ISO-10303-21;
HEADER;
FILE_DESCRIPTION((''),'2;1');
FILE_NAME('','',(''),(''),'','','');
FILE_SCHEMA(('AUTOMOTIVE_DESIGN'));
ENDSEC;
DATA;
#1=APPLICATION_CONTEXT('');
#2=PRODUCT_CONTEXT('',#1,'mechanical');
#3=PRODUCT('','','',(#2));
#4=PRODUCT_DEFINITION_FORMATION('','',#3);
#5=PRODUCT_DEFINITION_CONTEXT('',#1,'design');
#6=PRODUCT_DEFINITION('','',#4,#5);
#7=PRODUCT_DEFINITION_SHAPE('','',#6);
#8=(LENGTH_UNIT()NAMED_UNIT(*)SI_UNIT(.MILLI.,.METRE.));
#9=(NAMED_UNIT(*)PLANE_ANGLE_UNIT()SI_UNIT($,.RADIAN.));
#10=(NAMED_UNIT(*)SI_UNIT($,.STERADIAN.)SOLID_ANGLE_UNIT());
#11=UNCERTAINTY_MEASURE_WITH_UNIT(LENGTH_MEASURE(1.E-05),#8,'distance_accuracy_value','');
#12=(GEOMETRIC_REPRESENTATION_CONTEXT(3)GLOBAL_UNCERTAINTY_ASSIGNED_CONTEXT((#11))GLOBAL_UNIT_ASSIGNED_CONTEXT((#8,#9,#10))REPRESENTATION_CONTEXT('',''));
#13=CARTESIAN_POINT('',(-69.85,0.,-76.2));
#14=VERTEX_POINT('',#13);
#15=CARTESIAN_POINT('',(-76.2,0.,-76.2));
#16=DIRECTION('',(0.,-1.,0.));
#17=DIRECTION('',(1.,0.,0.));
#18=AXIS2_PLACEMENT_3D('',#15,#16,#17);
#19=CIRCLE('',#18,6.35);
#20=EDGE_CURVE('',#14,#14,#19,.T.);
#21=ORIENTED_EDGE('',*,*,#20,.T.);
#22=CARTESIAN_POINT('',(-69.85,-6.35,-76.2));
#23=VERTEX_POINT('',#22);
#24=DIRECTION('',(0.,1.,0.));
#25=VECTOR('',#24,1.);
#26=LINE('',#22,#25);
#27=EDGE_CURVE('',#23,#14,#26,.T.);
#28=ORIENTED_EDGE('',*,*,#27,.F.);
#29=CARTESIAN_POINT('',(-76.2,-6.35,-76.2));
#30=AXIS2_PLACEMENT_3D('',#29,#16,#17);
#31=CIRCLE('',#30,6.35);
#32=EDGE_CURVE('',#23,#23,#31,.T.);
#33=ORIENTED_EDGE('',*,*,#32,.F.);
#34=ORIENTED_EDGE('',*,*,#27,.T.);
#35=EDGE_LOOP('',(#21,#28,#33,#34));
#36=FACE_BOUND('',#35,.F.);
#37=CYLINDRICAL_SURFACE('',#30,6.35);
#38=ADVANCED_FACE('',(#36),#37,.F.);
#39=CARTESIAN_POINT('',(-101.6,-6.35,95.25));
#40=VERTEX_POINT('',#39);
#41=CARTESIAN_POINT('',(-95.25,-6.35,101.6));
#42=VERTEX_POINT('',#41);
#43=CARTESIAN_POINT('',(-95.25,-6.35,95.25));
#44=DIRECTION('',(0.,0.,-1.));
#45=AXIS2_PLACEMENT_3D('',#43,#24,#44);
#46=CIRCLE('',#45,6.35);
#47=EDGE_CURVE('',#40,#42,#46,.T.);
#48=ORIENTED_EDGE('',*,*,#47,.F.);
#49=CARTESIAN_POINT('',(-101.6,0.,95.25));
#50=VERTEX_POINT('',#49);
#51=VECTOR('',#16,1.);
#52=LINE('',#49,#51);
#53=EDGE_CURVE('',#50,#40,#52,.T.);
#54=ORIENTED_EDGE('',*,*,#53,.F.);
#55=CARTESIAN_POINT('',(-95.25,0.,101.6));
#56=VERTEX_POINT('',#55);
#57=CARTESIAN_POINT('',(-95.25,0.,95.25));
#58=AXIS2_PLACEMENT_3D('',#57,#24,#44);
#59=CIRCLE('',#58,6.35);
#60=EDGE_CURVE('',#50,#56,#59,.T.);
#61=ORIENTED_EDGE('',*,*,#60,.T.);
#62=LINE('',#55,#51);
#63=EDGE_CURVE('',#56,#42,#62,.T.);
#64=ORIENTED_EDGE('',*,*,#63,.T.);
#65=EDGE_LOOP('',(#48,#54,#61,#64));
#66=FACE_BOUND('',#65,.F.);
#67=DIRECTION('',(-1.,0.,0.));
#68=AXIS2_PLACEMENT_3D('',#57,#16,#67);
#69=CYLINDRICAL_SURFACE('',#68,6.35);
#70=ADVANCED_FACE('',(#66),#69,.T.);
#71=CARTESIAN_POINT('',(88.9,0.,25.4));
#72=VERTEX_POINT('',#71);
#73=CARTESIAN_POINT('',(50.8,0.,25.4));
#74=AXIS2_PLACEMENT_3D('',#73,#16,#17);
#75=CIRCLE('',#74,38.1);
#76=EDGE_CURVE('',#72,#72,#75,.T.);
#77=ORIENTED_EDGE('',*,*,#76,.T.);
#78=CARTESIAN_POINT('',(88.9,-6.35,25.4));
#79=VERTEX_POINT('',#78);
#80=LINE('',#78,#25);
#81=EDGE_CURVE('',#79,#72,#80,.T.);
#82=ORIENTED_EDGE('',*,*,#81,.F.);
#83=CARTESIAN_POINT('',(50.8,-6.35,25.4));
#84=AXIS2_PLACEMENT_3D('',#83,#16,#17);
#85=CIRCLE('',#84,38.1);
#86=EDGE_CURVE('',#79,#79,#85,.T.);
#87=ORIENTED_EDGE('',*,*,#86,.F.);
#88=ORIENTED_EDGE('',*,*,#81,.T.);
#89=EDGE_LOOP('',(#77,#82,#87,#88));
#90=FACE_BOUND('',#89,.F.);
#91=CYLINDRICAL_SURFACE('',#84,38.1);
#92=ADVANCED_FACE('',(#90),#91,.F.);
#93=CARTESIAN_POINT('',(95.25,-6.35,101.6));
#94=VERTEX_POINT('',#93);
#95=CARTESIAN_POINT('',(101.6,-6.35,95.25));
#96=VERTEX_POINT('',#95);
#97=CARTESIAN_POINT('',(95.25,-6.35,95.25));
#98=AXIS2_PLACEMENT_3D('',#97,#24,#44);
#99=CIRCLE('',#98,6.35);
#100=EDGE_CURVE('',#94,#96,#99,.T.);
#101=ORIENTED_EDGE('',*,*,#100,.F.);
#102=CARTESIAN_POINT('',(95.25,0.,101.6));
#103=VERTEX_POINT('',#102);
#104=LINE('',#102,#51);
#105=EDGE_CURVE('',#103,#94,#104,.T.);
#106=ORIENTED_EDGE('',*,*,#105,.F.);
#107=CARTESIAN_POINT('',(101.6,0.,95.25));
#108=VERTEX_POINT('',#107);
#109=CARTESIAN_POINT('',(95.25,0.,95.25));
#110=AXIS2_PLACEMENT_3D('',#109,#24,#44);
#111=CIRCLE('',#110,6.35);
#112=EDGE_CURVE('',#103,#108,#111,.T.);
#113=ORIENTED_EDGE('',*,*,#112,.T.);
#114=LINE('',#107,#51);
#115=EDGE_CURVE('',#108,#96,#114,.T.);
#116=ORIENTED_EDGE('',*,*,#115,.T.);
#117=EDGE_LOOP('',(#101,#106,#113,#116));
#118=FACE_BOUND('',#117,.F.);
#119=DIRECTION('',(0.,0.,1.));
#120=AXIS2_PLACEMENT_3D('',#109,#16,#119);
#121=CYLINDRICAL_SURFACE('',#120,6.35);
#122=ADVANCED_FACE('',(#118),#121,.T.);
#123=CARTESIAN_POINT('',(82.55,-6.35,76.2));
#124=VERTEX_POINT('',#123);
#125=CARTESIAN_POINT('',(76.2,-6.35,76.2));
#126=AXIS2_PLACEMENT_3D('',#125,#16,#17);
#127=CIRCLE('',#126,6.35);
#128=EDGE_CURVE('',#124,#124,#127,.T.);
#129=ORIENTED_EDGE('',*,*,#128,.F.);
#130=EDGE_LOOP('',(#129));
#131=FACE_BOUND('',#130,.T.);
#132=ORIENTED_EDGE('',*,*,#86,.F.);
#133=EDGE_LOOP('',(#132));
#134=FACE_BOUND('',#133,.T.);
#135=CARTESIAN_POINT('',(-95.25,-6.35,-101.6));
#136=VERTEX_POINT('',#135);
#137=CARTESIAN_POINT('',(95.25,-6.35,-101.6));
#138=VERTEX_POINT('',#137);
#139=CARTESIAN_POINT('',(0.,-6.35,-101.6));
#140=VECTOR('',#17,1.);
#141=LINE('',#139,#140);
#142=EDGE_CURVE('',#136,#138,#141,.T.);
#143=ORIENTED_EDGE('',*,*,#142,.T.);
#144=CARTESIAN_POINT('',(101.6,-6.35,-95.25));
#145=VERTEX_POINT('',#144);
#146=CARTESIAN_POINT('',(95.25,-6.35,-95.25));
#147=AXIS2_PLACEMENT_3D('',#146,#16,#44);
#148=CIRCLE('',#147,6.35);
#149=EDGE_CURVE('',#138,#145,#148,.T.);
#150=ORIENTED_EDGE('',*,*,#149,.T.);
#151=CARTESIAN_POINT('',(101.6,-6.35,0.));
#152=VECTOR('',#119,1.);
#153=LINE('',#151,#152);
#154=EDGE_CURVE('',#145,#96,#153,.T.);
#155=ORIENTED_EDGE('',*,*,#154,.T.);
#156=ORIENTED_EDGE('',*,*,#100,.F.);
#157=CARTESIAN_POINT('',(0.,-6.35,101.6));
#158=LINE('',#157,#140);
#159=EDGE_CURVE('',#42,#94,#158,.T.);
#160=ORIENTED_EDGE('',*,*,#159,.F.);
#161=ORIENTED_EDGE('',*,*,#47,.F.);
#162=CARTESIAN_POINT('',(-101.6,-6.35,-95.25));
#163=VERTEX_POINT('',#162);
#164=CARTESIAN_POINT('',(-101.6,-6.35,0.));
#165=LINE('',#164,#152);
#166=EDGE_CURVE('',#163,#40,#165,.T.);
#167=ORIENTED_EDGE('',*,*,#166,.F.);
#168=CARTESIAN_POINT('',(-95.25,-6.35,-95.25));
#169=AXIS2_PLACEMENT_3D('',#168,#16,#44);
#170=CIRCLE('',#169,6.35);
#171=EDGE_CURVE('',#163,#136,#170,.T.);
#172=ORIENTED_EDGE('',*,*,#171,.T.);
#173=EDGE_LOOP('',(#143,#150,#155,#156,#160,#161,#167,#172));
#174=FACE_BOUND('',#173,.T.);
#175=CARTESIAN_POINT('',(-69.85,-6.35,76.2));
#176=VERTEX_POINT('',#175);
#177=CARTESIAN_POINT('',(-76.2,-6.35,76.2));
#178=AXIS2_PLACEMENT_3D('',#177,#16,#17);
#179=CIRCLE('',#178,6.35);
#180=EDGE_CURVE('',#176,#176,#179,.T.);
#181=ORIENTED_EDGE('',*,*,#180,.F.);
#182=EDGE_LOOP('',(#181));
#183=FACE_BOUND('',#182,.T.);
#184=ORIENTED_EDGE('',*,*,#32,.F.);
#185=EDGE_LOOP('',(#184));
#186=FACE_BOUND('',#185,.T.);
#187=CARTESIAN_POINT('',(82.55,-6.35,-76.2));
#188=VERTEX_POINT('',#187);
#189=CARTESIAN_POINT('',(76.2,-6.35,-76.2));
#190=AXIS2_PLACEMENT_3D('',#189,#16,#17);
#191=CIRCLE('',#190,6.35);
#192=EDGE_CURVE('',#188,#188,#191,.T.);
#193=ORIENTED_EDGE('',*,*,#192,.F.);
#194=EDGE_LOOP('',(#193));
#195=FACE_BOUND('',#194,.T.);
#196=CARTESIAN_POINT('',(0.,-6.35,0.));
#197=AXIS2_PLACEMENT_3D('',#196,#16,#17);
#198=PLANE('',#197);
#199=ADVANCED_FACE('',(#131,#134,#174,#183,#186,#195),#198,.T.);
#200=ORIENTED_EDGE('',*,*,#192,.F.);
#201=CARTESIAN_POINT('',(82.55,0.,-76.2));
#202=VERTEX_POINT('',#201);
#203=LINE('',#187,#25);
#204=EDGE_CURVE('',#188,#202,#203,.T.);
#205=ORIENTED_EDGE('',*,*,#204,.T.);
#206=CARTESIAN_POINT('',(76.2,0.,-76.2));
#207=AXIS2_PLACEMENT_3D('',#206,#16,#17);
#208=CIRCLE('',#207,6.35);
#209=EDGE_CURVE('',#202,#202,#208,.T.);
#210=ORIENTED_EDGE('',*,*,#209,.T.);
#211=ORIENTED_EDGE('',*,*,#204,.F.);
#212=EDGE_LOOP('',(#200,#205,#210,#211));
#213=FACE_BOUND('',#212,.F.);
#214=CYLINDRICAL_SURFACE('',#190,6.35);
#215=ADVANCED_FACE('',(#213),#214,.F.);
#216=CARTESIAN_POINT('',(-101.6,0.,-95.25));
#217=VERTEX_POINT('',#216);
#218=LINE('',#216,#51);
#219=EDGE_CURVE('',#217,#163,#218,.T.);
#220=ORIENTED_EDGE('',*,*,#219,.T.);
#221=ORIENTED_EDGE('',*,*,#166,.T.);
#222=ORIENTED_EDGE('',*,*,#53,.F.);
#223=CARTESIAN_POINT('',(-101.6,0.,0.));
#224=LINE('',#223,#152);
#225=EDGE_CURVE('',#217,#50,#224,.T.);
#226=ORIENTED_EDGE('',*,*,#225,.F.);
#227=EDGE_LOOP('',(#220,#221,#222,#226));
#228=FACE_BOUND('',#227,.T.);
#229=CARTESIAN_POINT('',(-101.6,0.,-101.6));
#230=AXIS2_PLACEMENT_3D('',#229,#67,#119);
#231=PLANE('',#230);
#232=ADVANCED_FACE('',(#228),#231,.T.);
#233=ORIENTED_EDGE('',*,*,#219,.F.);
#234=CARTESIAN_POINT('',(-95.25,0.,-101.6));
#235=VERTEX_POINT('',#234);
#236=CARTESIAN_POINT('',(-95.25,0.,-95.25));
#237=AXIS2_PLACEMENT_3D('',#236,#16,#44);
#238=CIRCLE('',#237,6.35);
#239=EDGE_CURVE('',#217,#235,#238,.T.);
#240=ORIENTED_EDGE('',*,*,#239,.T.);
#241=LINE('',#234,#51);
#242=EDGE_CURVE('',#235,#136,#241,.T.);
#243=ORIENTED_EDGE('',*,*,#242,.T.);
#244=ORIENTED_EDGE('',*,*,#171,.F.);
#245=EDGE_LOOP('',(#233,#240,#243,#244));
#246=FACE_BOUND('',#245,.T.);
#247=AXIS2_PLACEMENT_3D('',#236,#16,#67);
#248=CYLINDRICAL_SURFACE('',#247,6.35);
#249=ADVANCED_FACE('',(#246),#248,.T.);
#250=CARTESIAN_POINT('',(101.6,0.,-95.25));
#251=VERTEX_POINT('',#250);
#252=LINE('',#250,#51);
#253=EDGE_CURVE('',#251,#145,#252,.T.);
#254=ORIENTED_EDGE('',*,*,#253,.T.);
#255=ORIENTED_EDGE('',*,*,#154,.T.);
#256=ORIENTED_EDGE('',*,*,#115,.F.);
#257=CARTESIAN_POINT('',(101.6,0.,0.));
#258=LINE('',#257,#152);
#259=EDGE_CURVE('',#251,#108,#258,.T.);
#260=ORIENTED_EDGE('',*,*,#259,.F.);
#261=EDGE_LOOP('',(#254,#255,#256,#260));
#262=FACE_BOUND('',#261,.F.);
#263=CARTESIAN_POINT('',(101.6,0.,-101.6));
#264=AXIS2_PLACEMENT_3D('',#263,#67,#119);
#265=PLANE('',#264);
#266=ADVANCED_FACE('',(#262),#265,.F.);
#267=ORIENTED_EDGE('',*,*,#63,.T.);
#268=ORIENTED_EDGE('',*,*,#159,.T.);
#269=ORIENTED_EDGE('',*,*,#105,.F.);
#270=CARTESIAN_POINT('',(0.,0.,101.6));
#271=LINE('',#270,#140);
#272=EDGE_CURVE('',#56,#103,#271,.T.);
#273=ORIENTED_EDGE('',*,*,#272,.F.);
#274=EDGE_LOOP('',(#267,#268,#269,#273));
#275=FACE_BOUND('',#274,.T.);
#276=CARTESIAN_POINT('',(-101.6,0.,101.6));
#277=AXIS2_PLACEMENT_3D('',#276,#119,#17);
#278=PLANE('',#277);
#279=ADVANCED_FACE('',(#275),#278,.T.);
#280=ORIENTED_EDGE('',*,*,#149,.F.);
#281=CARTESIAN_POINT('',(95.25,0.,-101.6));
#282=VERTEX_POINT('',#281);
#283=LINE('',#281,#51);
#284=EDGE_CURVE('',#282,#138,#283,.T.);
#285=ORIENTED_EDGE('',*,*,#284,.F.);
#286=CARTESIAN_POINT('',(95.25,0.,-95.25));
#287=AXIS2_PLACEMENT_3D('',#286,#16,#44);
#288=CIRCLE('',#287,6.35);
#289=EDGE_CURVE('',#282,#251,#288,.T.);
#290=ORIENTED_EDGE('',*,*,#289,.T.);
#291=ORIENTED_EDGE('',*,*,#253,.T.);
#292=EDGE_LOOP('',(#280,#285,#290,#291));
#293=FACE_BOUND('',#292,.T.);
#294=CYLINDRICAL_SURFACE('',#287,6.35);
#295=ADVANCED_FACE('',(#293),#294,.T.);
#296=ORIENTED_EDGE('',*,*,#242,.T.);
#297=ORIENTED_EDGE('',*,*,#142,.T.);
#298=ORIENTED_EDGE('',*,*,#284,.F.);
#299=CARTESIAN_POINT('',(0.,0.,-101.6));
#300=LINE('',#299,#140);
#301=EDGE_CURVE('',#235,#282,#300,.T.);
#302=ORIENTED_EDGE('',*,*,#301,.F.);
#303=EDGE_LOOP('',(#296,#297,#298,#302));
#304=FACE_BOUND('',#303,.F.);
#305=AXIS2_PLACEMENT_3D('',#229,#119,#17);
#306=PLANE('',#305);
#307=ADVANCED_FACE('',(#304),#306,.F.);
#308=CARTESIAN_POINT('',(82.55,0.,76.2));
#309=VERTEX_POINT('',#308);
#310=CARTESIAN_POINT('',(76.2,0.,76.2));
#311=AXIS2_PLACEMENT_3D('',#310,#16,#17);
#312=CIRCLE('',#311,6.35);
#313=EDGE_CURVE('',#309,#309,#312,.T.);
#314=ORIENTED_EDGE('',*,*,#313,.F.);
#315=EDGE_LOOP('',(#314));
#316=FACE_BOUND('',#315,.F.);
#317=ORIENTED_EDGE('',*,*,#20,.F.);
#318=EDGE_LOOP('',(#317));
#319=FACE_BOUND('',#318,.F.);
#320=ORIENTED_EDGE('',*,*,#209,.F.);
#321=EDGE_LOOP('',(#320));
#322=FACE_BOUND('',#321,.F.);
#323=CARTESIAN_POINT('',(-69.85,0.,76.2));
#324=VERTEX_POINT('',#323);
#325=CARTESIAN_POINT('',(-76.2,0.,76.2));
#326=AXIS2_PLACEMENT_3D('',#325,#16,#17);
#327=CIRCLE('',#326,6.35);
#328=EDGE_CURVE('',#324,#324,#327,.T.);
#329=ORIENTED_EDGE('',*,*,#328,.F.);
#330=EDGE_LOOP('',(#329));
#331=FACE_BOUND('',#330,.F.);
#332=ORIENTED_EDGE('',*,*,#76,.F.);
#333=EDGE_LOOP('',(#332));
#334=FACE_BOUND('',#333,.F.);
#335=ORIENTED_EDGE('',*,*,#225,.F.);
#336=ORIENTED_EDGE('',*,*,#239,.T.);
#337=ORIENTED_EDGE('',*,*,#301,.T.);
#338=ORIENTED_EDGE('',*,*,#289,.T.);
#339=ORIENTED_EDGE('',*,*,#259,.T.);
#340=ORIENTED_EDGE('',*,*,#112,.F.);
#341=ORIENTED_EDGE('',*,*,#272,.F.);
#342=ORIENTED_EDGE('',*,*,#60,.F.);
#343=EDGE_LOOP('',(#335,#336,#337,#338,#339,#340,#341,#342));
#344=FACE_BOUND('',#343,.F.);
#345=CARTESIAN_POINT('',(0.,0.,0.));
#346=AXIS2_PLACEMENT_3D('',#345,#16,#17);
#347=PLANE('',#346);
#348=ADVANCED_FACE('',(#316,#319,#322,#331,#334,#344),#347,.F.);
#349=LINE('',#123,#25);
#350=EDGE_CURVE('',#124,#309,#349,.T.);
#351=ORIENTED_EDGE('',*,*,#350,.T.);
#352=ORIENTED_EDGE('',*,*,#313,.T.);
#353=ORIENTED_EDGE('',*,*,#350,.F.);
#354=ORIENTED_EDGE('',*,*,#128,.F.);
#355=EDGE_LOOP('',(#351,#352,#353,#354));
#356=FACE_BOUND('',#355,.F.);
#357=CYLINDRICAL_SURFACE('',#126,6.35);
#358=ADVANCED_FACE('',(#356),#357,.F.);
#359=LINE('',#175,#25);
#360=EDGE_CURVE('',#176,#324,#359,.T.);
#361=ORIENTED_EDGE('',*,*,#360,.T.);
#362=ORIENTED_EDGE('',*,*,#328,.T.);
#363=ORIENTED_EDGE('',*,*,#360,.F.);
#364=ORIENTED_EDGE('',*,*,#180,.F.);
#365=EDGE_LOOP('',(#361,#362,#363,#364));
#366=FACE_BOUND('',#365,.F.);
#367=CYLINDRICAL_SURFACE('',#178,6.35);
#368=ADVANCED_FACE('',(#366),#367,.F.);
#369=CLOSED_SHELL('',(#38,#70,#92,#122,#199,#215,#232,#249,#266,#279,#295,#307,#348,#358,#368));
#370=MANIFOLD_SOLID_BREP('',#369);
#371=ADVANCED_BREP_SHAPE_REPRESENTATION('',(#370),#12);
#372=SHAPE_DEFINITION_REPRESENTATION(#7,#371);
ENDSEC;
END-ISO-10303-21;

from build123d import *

# Parameters (mm, degrees)
F0_W     = 203.2
F0_H     = 203.2
F1_DEPTH = 6.35
F2_R     = 6.35
F3_DEPTH = 25.4
F4_R     = 6.35
F5_R     = 38.1
F6_DEPTH = 25.4


with BuildPart() as f1:
    # F0 (on Front) → F1 (new body)
    with BuildSketch(Plane.XZ):
        Rectangle(F0_W, F0_H)
    extrude(amount=F1_DEPTH)

    # F2 (on face) → F3 (cut)
    with BuildSketch(Plane.XZ.offset(6.35)):
        with Locations((-76.2, 76.2)):
            Circle(F2_R)
        with Locations((76.2, 76.2)):
            Circle(F2_R)
        with Locations((-76.2, -76.2)):
            Circle(F2_R)
        with Locations((76.2, -76.2)):
            Circle(F2_R)
    extrude(amount=-F3_DEPTH, mode=Mode.SUBTRACT)

    # F4
    f4_edges = [f1.edges().sort_by_distance(p)[0] for p in [
        (101.6, -3.175, 101.6),
        (-101.6, -3.175, 101.6),
        (-101.6, -3.175, -101.6),
        (101.6, -3.175, -101.6),
    ]]
    fillet(f4_edges, radius=F4_R)

    # F5 (on face) → F6 (cut)
    with BuildSketch(Plane.XZ.offset(6.35)):
        with Locations((50.8, 25.4)):
            Circle(F5_R)
    extrude(amount=-F6_DEPTH, mode=Mode.SUBTRACT)


solid = f1.part
